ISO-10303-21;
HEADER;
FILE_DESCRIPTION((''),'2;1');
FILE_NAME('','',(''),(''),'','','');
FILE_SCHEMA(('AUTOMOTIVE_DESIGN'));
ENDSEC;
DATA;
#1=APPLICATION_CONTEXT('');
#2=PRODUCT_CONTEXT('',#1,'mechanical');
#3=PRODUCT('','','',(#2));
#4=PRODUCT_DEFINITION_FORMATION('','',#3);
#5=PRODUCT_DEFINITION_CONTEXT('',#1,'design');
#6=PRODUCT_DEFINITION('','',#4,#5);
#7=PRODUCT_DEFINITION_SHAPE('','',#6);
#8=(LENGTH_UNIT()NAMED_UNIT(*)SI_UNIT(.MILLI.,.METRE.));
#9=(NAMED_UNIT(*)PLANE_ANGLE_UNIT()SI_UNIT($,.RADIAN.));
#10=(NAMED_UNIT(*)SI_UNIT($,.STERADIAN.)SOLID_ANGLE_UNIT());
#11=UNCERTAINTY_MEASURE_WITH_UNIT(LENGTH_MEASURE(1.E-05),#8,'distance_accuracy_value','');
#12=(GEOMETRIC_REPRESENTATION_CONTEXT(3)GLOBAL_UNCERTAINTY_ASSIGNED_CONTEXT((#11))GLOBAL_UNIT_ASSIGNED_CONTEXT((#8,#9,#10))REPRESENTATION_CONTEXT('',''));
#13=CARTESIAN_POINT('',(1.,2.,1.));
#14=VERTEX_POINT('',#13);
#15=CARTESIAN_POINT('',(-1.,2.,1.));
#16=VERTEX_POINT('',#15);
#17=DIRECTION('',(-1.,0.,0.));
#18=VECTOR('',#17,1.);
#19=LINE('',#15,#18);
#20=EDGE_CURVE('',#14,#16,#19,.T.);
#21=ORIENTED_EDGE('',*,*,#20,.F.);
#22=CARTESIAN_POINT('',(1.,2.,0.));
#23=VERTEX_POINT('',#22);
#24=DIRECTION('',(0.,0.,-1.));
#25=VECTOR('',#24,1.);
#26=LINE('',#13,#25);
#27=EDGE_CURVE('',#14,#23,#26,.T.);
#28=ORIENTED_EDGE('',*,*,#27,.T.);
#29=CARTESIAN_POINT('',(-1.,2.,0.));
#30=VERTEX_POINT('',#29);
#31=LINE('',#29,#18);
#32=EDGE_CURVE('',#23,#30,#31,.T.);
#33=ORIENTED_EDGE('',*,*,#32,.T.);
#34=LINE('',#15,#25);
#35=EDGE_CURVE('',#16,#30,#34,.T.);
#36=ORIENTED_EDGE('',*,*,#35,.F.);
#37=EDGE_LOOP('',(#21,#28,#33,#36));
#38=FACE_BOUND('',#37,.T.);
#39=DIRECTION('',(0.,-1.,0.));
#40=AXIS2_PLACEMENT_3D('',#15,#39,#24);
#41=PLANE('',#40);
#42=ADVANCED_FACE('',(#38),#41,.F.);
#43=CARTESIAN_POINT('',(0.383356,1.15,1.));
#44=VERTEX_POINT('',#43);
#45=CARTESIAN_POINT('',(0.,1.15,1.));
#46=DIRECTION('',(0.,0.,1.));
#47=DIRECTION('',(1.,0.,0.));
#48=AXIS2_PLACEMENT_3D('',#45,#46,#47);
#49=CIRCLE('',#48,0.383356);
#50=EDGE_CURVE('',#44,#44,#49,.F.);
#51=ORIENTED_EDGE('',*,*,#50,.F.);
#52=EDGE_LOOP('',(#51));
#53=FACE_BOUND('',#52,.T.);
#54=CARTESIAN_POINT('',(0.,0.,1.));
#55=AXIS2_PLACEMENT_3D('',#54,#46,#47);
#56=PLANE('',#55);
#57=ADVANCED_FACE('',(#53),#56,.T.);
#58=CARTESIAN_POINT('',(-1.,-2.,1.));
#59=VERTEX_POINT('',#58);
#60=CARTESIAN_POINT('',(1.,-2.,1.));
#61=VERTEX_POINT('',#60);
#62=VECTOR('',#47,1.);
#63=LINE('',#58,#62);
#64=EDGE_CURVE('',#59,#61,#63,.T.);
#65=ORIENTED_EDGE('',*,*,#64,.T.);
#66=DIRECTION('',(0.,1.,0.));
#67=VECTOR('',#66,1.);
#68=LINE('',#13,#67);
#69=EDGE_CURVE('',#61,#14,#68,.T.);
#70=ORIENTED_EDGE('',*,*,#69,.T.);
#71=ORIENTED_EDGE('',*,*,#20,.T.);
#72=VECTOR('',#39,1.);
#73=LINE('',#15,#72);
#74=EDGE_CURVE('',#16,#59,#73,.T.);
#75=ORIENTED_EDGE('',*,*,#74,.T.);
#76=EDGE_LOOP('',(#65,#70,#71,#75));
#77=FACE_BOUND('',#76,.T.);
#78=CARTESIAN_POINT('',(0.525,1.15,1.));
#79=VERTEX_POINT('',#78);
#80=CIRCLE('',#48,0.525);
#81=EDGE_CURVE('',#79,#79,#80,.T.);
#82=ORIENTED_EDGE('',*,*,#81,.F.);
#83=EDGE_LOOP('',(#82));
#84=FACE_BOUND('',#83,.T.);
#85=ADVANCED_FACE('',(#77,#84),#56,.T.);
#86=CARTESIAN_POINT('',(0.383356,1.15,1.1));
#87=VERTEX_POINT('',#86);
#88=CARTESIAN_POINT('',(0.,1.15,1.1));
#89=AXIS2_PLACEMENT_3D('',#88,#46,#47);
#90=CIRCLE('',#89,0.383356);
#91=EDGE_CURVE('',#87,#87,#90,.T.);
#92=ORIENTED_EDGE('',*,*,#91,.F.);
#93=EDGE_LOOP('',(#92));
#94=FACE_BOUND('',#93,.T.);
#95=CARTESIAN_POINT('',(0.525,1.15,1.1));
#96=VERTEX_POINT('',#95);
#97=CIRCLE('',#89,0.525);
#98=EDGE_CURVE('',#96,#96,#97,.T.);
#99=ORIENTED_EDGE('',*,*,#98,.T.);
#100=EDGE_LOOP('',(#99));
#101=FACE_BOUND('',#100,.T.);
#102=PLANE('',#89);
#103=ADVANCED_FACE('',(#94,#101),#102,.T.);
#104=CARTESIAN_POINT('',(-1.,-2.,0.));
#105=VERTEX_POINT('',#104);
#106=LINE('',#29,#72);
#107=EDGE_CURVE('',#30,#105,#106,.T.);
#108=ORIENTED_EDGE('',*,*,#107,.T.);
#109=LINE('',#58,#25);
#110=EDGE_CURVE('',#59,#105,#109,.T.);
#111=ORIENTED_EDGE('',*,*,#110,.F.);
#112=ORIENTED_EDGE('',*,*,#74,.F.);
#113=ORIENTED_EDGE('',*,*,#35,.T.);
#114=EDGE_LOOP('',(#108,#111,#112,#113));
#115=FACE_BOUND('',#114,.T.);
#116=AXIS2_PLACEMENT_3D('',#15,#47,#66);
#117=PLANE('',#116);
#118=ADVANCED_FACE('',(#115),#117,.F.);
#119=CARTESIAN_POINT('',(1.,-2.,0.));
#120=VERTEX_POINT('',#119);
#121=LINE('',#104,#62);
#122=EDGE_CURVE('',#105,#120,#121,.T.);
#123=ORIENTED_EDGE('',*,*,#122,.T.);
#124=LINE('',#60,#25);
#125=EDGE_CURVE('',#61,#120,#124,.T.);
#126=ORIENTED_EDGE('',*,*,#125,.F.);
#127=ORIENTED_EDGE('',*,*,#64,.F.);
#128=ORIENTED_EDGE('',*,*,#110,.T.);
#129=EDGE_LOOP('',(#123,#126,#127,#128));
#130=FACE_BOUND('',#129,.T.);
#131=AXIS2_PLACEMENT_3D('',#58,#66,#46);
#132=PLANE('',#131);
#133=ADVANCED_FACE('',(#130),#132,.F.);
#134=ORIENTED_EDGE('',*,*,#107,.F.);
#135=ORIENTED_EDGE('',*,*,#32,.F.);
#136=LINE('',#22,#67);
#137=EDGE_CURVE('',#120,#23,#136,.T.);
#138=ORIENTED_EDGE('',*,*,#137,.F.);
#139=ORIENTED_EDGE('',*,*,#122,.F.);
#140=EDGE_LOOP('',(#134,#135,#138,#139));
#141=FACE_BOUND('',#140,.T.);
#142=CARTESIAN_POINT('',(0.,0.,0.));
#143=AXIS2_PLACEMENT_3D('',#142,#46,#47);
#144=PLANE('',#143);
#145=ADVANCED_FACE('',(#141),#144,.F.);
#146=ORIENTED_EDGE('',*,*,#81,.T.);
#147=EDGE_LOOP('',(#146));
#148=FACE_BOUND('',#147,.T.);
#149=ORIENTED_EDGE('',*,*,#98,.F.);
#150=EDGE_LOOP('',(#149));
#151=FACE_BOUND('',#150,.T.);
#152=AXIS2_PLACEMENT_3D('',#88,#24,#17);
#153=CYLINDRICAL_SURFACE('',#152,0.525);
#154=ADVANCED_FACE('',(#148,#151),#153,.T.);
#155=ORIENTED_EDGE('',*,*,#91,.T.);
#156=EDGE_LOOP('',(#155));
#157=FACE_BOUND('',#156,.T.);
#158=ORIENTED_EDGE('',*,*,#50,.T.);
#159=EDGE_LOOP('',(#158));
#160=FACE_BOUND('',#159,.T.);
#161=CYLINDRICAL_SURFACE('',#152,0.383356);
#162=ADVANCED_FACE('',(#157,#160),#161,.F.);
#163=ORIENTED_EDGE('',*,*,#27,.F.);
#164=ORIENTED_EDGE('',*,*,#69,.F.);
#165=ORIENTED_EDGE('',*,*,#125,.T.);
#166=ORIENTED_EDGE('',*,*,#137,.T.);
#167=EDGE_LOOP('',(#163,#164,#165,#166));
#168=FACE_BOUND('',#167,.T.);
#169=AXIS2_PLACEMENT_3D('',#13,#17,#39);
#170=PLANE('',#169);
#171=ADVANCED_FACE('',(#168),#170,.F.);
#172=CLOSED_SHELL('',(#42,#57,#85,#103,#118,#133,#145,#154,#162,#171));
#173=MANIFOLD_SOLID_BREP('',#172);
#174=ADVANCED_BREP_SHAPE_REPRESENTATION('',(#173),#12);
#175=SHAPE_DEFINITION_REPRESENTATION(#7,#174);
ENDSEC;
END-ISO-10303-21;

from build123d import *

# Parameters (mm, degrees)
SKETCH1_W           = 2
SKETCH1_H           = 4
BOSS_EXTRUDE1_DEPTH = 1
SKETCH2_R           = 0.525
SKETCH2_R_2         = 0.383355987
BOSS_EXTRUDE2_DEPTH = 0.1


with BuildPart() as part:
    # Sketch1 → Boss-Extrude1 (new body)
    with BuildSketch(Plane.XY):
        Rectangle(SKETCH1_W, SKETCH1_H)
    extrude(amount=BOSS_EXTRUDE1_DEPTH)

    # Sketch2 → Boss-Extrude2 (add)
    with BuildSketch(Plane.XY.offset(1)):
        with Locations((0, 1.15)):
            Circle(SKETCH2_R)
        with Locations((0, 1.15)):
            Circle(SKETCH2_R_2, mode=Mode.SUBTRACT)
    extrude(amount=BOSS_EXTRUDE2_DEPTH)


solid = part.part
